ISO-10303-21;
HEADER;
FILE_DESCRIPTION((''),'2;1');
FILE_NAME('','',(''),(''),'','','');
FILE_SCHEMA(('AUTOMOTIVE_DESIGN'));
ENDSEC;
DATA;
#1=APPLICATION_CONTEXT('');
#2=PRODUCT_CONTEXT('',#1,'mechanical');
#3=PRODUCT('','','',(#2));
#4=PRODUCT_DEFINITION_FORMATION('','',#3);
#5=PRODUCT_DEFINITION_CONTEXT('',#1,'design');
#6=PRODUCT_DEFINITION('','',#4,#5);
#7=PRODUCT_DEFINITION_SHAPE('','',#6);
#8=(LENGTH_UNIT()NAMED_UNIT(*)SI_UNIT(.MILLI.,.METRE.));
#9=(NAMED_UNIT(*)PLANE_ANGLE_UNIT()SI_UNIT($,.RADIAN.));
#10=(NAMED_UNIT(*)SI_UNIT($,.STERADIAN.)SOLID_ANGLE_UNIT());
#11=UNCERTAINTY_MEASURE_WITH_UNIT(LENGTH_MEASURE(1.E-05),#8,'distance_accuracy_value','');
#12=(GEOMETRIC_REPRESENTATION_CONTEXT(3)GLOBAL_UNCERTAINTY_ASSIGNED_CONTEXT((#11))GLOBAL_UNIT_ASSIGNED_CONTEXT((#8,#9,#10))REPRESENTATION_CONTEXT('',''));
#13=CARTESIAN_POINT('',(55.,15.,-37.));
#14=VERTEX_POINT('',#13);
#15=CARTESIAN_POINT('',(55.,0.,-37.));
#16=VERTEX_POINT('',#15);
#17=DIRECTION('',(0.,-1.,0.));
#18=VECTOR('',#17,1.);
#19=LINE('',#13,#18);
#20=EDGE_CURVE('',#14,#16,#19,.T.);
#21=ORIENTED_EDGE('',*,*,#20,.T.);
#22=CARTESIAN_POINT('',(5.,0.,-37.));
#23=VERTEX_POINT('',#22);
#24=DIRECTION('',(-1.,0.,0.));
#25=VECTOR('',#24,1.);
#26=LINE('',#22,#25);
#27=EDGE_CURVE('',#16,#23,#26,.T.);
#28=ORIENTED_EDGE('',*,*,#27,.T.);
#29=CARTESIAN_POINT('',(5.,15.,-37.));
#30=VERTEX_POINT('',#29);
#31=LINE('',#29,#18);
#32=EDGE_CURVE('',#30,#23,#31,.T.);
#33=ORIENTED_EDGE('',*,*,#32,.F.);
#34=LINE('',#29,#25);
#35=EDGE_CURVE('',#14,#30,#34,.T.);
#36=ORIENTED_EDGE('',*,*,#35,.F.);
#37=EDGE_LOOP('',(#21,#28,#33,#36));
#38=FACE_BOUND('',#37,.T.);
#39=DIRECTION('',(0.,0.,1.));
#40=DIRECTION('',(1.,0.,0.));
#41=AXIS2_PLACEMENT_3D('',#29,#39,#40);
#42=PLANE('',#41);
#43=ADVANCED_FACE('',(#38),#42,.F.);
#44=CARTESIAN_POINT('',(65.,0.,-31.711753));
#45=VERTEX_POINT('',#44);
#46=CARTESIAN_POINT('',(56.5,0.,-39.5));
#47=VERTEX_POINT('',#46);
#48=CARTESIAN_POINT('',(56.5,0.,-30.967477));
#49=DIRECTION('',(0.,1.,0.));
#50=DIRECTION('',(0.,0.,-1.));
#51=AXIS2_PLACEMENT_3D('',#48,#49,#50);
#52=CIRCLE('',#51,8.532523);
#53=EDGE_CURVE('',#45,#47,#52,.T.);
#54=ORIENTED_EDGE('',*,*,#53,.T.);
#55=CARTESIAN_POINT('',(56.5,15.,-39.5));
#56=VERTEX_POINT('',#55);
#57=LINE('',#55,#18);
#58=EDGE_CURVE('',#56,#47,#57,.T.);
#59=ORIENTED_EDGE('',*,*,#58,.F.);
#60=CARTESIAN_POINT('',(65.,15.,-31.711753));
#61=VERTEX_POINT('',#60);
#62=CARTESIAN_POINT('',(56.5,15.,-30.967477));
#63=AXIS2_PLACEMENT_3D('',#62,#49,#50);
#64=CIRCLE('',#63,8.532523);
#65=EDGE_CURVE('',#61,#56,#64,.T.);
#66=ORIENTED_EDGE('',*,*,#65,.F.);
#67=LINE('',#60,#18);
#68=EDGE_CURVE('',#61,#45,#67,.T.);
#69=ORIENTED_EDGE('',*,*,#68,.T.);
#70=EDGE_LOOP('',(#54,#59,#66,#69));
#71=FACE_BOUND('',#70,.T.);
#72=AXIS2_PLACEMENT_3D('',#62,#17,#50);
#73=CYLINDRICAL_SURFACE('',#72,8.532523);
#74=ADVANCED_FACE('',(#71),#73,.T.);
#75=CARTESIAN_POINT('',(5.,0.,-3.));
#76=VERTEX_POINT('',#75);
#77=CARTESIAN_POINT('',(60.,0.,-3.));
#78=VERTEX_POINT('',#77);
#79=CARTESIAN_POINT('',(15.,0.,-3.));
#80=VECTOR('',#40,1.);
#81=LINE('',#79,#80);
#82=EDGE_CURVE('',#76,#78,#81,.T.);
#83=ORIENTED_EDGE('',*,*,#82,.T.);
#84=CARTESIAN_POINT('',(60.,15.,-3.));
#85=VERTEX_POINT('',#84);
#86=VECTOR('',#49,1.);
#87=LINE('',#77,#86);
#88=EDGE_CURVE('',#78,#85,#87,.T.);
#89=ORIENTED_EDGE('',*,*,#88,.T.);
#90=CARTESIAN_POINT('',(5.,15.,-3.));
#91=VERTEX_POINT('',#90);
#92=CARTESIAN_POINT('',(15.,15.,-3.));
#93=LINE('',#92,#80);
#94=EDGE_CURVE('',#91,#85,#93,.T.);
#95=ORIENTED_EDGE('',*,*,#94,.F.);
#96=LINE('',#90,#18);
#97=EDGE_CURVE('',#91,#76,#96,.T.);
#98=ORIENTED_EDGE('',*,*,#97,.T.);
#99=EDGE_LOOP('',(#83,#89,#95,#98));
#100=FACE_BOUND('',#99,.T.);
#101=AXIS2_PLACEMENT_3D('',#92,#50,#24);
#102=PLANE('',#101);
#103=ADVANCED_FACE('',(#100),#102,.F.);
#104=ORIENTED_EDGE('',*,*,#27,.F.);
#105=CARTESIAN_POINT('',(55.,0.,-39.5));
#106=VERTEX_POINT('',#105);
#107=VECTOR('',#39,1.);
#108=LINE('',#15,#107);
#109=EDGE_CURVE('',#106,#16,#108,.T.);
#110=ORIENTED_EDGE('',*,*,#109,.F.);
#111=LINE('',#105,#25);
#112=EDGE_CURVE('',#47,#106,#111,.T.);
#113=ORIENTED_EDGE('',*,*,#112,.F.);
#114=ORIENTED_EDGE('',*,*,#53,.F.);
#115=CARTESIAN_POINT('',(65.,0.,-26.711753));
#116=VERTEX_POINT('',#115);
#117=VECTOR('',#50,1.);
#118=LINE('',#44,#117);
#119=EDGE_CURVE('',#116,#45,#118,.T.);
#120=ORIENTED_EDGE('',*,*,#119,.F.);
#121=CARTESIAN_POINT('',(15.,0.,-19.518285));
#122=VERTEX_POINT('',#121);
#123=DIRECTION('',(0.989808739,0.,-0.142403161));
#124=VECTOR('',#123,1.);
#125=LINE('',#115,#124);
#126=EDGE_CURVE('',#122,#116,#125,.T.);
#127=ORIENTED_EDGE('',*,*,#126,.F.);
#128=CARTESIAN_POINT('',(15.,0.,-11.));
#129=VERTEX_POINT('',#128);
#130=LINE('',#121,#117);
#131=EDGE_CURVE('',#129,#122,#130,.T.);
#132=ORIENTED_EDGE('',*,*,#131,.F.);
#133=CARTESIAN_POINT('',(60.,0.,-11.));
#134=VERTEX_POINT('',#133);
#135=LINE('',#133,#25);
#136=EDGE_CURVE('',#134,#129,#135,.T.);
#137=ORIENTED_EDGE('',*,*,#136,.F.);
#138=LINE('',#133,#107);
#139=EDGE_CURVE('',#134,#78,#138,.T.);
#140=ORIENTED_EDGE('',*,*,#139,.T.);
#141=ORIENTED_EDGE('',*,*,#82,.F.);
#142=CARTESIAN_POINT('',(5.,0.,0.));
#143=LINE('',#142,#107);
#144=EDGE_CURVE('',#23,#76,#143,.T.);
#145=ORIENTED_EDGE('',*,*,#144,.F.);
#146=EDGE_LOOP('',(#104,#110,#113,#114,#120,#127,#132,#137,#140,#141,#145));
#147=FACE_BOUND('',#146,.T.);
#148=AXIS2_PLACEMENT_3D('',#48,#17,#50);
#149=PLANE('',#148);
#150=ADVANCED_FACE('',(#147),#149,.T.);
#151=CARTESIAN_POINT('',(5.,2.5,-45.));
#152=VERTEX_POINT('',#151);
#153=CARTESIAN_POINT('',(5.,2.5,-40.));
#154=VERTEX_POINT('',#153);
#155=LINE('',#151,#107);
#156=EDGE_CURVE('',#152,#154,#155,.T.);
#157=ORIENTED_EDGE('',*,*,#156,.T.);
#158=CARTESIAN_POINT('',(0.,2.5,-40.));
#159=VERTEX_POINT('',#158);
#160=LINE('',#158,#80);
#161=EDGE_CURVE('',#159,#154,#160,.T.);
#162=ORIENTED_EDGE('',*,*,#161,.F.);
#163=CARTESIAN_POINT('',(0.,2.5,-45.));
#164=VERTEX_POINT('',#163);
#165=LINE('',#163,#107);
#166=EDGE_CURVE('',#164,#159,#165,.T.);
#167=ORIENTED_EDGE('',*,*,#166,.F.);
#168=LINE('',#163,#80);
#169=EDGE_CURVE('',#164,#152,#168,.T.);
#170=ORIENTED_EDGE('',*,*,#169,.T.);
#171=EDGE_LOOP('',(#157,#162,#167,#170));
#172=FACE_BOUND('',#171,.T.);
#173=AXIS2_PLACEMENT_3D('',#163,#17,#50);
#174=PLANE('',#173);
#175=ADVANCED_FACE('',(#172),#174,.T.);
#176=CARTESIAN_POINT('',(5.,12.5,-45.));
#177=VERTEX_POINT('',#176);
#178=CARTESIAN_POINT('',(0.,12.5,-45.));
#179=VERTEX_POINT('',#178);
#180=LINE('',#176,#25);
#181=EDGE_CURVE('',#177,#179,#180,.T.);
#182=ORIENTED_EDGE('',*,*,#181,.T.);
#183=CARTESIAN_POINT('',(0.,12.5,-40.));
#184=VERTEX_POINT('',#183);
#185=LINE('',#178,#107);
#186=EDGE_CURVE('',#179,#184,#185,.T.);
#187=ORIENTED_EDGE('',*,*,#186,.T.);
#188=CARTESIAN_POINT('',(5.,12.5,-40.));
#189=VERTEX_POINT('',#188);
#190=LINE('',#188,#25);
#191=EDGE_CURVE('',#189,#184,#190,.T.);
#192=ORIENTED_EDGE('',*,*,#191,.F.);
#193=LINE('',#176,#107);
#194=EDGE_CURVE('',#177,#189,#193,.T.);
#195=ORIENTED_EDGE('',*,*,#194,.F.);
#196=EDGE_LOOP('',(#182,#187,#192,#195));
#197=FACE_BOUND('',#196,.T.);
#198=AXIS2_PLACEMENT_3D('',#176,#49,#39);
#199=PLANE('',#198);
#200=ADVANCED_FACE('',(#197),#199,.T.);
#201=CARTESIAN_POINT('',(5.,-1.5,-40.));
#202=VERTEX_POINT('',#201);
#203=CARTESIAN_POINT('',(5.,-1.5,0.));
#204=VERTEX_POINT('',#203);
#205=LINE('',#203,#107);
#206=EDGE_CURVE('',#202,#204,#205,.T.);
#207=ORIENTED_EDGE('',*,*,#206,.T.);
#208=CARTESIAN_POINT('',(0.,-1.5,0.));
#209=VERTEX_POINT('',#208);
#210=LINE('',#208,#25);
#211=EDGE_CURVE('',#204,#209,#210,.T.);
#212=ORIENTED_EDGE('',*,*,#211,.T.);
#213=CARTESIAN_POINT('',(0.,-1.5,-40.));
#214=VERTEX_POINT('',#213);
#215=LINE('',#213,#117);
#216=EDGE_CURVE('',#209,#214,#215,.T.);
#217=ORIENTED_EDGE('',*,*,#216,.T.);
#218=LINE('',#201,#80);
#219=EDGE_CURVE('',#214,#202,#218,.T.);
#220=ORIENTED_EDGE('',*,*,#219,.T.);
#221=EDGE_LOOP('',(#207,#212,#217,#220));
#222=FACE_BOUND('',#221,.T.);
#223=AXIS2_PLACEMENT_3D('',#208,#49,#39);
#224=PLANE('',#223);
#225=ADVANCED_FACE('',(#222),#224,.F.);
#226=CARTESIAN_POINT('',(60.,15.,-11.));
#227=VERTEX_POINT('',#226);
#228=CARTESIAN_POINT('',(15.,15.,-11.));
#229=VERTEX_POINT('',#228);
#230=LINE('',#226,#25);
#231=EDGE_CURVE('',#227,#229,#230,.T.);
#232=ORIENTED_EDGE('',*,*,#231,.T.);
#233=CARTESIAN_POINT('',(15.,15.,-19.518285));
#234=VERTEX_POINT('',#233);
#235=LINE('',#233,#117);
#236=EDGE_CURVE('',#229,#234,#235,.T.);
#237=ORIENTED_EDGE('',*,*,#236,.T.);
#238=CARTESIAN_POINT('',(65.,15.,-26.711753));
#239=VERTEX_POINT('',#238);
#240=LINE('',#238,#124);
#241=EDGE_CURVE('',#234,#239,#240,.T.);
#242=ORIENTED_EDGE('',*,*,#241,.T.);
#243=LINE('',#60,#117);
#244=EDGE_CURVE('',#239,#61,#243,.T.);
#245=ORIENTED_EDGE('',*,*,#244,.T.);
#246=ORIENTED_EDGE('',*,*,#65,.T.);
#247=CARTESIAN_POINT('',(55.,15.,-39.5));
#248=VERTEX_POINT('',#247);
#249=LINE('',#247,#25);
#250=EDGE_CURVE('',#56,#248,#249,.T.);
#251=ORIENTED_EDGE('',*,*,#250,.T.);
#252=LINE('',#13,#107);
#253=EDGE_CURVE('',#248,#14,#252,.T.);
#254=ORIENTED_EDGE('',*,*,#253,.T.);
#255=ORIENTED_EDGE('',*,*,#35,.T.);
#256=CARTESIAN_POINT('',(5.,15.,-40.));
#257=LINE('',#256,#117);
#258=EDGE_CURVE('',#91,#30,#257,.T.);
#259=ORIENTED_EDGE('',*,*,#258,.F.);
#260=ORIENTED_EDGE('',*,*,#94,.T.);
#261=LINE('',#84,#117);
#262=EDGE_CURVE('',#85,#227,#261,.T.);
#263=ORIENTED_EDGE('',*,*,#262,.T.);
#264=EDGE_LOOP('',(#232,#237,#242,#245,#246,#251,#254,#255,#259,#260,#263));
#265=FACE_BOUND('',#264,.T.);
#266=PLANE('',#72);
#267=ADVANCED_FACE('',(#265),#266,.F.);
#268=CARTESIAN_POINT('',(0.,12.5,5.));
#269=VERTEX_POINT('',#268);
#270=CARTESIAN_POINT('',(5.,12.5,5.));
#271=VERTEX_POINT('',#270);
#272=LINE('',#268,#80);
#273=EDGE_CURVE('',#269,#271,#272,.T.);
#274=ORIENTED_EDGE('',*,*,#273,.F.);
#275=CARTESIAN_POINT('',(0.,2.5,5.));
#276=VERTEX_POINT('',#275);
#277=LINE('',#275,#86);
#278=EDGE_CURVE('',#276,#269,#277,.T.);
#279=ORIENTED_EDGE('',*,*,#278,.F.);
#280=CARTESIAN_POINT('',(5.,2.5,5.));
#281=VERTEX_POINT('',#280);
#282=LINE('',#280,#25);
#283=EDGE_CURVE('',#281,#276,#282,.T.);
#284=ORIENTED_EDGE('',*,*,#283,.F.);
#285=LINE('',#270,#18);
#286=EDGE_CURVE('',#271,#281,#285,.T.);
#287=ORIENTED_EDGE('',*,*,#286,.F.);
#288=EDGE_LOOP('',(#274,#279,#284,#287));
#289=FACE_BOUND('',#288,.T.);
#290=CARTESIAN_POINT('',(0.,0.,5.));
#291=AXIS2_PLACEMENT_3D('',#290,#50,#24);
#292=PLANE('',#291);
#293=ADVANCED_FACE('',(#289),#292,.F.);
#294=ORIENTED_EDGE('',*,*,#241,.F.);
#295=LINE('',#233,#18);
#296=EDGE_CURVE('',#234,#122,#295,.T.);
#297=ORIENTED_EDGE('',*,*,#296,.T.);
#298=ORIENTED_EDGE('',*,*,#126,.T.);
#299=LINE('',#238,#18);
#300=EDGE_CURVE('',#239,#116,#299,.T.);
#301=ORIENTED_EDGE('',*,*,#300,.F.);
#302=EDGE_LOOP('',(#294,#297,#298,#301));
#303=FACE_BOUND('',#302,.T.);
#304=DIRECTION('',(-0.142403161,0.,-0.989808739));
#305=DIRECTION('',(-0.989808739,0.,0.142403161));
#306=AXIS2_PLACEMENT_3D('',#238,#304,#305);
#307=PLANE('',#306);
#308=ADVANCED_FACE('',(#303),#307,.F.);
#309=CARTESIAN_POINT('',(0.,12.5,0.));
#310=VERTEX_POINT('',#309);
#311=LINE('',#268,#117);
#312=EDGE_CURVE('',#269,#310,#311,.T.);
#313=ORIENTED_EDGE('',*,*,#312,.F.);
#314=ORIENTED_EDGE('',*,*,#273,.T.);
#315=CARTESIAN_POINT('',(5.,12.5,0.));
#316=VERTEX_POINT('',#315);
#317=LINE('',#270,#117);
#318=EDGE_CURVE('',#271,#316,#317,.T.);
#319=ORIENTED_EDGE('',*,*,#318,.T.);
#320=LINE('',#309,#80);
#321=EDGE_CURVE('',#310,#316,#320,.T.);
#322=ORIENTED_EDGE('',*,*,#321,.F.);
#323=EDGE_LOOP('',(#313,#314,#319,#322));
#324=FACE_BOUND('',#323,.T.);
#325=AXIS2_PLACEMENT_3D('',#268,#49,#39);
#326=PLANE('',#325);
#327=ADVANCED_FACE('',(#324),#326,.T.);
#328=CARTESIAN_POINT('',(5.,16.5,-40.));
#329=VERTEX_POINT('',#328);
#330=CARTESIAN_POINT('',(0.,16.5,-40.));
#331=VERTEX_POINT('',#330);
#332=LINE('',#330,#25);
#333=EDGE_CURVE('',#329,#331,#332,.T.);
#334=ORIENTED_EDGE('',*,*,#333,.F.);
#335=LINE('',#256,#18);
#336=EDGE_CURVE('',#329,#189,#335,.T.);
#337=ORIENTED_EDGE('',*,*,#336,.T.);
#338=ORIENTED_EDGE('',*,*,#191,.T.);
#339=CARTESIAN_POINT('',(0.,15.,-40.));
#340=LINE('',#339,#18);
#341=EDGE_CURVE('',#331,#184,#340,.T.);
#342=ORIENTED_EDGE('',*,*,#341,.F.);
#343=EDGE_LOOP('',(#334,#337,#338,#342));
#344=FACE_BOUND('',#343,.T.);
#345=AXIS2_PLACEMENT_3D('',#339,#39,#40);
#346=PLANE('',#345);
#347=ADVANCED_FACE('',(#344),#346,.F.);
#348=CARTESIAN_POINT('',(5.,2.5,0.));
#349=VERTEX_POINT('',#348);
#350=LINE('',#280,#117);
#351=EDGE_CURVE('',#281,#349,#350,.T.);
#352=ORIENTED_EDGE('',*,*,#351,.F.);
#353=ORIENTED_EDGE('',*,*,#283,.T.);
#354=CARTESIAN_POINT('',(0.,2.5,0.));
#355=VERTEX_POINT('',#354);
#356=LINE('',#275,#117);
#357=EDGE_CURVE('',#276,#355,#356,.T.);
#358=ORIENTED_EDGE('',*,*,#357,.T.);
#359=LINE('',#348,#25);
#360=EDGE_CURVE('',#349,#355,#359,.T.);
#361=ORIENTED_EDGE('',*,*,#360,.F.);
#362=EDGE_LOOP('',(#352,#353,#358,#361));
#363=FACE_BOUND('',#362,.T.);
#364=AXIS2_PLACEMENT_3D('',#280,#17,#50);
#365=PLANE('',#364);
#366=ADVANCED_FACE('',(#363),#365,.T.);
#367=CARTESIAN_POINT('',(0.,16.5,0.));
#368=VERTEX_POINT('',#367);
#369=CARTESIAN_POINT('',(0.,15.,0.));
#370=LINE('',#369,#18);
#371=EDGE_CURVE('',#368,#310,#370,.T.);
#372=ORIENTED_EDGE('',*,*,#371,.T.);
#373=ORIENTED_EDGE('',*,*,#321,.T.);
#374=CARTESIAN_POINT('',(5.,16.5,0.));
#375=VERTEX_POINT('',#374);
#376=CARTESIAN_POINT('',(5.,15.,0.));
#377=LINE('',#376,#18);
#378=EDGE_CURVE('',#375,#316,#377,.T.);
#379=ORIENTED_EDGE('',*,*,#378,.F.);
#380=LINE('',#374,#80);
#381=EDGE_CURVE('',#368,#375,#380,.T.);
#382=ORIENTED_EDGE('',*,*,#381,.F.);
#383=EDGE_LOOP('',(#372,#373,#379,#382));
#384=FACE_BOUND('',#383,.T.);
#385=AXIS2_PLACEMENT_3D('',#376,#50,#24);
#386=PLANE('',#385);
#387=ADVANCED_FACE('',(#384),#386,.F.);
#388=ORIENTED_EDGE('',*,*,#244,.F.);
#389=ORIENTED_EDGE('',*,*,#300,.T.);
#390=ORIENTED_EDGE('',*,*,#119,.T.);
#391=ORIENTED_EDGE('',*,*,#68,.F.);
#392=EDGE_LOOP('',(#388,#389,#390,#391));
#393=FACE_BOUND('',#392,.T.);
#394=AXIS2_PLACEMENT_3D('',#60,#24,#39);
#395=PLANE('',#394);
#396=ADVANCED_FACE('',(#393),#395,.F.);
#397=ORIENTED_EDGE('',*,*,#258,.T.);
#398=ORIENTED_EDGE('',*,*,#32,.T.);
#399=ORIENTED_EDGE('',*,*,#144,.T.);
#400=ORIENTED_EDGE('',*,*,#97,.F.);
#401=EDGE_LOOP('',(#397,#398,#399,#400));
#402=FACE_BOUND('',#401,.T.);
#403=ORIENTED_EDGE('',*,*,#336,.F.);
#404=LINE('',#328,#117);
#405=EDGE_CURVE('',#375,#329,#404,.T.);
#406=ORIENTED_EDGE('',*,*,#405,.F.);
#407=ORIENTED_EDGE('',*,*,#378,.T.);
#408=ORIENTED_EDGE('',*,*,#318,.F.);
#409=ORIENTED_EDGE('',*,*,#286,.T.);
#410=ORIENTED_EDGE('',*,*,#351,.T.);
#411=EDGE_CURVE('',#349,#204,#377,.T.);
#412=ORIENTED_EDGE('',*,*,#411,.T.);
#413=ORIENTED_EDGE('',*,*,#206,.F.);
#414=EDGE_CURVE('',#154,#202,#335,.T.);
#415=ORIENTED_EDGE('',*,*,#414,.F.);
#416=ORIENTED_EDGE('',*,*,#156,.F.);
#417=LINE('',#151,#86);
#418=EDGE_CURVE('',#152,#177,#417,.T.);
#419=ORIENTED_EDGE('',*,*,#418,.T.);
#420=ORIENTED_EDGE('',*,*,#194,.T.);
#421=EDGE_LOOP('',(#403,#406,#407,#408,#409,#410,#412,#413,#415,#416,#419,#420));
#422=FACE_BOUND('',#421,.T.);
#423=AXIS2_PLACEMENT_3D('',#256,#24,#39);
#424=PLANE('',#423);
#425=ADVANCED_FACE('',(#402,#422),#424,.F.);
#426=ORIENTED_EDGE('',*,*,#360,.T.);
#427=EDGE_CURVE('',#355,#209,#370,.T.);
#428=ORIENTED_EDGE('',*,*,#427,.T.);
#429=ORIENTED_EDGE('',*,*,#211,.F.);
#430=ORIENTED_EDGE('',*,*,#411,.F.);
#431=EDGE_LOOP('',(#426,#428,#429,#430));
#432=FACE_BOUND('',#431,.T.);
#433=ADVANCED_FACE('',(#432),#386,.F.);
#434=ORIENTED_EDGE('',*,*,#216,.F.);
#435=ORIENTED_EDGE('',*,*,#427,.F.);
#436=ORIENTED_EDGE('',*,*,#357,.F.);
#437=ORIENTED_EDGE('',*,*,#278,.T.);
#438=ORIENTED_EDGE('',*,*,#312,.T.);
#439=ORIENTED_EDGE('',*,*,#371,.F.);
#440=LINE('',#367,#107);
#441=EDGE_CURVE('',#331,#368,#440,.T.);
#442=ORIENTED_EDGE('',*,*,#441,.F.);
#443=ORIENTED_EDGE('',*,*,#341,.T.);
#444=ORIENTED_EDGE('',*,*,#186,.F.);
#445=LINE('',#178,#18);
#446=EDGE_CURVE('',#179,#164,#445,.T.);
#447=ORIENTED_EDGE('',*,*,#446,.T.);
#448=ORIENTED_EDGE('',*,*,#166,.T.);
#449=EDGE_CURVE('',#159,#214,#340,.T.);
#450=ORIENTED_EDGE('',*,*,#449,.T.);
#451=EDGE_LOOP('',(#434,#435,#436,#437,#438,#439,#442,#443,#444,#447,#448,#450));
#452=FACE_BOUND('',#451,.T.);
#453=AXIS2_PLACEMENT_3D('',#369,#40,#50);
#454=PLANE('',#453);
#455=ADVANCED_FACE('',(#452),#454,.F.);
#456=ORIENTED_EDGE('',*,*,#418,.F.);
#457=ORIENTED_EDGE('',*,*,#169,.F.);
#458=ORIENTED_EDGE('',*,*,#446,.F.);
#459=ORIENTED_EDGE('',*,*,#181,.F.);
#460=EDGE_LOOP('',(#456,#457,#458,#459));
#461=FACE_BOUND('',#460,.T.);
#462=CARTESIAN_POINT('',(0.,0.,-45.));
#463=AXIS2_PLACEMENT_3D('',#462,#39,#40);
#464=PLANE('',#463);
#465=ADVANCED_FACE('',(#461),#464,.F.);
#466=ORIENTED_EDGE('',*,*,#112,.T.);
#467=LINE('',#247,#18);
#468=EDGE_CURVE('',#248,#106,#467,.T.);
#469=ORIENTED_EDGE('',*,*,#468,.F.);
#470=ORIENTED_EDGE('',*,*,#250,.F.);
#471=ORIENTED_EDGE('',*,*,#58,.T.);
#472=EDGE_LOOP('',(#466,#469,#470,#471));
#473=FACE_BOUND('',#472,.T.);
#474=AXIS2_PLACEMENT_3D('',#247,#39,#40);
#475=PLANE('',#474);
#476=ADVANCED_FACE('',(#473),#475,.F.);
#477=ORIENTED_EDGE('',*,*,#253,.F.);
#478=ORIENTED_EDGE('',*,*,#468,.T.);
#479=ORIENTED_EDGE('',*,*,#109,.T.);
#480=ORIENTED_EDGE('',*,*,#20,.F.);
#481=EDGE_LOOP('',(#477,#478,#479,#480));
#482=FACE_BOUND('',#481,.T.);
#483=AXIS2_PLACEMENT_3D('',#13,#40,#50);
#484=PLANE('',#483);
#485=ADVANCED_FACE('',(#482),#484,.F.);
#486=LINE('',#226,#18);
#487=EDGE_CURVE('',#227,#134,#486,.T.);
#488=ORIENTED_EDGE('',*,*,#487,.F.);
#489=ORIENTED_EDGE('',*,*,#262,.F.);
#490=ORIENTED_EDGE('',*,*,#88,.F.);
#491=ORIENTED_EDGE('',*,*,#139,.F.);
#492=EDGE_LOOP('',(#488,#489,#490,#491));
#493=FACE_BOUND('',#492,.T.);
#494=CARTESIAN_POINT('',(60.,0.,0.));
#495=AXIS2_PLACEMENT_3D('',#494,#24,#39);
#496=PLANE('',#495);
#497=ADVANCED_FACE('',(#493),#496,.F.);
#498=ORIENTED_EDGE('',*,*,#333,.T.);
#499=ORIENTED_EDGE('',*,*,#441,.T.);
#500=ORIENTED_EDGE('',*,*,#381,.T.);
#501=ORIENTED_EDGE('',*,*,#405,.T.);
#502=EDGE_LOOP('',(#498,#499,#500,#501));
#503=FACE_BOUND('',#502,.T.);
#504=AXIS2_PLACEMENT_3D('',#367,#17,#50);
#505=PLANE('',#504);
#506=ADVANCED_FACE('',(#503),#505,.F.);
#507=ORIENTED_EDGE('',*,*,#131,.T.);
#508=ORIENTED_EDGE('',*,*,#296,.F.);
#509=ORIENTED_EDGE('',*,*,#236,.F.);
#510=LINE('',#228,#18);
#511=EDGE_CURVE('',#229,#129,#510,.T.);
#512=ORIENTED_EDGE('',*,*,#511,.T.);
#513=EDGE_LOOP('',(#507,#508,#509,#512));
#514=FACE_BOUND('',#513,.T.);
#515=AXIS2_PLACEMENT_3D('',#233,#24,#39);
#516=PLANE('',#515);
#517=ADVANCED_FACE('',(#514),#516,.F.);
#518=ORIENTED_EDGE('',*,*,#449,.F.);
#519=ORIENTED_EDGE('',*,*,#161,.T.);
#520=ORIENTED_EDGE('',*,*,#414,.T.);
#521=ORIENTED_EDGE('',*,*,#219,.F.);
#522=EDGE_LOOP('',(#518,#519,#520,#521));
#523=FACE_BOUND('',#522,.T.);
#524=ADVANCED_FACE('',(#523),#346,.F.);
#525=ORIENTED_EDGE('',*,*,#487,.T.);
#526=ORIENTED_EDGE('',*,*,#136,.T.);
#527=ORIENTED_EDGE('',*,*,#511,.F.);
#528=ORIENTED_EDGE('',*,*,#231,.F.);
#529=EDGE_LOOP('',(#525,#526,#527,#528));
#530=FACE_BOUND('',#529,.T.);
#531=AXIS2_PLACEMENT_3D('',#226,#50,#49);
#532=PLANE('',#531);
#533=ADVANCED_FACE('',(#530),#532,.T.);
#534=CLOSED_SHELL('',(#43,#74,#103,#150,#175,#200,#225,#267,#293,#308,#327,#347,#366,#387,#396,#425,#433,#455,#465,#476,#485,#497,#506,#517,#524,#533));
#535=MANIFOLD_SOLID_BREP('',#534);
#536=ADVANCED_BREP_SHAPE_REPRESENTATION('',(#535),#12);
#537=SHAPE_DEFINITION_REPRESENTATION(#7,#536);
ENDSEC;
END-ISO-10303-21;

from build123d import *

# Parameters (mm, degrees)
BOSS_EXTRUDE1_DEPTH = 15
SKETCH4_W           = 5
SKETCH4_H           = 40
BOSS_EXTRUDE2_DEPTH = 1.5
SKETCH5_W           = 5
SKETCH5_H           = 40
BOSS_EXTRUDE3_DEPTH = 1.5
SKETCH6_W           = 8
SKETCH6_H           = 15
BOSS_EXTRUDE4_DEPTH = 45
SKETCH7_W           = 5
SKETCH7_H           = 10
BOSS_EXTRUDE5_DEPTH = 5
SKETCH8_W           = 5
SKETCH8_H           = 10
BOSS_EXTRUDE6_DEPTH = 5


with BuildPart() as part:
    # Sketch2 → Boss-Extrude1 (new body)
    with BuildSketch(Plane(origin=(0, 0, 0), x_dir=(1, 0, 0), z_dir=(0, 1, 0))):
        with BuildLine():
            Line((0, 0), (0, 40))
            Line((0, 40), (5, 40))
            Line((5, 40), (5, 37))
            Line((5, 37), (55, 37))
            Line((55, 37), (55, 39.5))
            Line((55, 39.5), (56.5, 39.5))
            ThreePointArc((56.5, 39.5), (62.264260255, 37.258522387), (65, 31.711753397))
            Line((65, 31.711753397), (65, 26.711753397))
            Line((65, 26.711753397), (15, 19.51828483))
            Line((15, 19.51828483), (15, 3))
            Line((15, 3), (5, 3))
            Line((5, 3), (5, 0))
            Line((5, 0), (0, 0))
        make_face()
    extrude(amount=BOSS_EXTRUDE1_DEPTH)

    # Sketch4 → Boss-Extrude2 (add)
    with BuildSketch(Plane(origin=(0, 15, 0), x_dir=(1, 0, 0), z_dir=(0, 1, 0))):
        with Locations((2.5, 20)):
            Rectangle(SKETCH4_W, SKETCH4_H)
    extrude(amount=BOSS_EXTRUDE2_DEPTH)

    # Sketch5 → Boss-Extrude3 (add)
    with BuildSketch(Plane.XZ):
        with Locations((2.5, -20)):
            Rectangle(SKETCH5_W, SKETCH5_H)
    extrude(amount=BOSS_EXTRUDE3_DEPTH)

    # Sketch6 → Boss-Extrude4 (add)
    with BuildSketch(Plane(origin=(15, 0, 0), x_dir=(0, 0, -1), z_dir=(1, 0, 0))):
        with Locations((7, 7.5)):
            Rectangle(SKETCH6_W, SKETCH6_H)
    extrude(amount=BOSS_EXTRUDE4_DEPTH)

    # Sketch7 → Boss-Extrude5 (add)
    with BuildSketch(Plane.XY):
        with Locations((2.5, 7.5)):
            Rectangle(SKETCH7_W, SKETCH7_H)
    extrude(amount=BOSS_EXTRUDE5_DEPTH)

    # Sketch8 → Boss-Extrude6 (add)
    with BuildSketch(Plane(origin=(0, 0, -40), x_dir=(-1, 0, 0), z_dir=(0, 0, -1))):
        with Locations((-2.5, 7.5)):
            Rectangle(SKETCH8_W, SKETCH8_H)
    extrude(amount=BOSS_EXTRUDE6_DEPTH)


solid = part.part
